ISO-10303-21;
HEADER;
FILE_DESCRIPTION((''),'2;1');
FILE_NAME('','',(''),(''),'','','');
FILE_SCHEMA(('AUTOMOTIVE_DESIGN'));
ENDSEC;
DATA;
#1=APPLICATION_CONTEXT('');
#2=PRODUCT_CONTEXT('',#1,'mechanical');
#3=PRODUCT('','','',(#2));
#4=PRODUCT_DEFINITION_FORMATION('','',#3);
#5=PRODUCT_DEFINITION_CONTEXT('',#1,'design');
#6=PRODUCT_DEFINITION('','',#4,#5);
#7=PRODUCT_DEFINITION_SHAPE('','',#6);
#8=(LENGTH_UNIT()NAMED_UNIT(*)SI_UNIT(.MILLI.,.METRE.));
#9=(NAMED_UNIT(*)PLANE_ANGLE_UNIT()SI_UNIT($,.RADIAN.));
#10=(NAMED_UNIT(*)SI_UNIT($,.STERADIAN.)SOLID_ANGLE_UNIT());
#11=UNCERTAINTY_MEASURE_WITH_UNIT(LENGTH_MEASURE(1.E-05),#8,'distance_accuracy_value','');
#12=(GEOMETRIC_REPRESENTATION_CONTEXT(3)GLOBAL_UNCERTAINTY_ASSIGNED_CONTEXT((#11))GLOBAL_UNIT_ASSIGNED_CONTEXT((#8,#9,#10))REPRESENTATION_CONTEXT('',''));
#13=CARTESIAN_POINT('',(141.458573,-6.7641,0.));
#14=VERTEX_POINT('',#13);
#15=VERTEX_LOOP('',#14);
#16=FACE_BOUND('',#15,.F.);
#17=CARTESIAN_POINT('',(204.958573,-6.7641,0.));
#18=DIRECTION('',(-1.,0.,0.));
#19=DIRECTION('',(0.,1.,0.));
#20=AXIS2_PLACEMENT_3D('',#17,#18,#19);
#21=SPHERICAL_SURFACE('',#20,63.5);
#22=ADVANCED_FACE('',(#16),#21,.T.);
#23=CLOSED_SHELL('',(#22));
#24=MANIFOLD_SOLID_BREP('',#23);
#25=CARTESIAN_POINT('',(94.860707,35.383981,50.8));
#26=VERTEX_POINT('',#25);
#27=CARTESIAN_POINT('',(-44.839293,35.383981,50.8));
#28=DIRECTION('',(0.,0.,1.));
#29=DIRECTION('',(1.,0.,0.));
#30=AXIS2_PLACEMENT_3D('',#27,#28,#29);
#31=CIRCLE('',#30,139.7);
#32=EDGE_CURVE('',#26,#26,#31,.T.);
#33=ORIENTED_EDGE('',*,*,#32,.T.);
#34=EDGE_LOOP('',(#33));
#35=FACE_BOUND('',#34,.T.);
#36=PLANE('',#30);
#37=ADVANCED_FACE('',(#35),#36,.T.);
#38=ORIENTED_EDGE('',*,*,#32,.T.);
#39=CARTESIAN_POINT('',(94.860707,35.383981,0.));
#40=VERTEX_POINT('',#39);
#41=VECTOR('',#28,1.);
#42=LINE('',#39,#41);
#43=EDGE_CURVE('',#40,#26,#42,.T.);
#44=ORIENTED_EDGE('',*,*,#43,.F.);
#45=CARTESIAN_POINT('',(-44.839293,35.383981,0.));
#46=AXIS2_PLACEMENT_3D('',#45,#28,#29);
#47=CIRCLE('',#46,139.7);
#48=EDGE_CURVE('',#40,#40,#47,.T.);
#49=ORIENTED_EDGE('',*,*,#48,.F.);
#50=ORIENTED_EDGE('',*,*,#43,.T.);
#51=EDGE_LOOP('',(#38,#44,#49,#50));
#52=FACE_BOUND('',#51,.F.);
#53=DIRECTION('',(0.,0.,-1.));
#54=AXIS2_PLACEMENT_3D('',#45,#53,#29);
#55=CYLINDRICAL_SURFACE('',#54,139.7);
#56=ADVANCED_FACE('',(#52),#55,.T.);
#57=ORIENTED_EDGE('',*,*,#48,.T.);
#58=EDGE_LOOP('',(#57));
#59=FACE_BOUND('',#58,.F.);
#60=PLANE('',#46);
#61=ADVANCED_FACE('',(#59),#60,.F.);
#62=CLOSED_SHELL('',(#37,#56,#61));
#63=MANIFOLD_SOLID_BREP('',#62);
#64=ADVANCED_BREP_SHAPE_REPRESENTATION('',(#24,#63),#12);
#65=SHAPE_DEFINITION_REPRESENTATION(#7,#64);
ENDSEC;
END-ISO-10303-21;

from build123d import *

# Parameters (mm, degrees)
F0_R     = 139.7
F1_DEPTH = 50.8


with BuildPart() as f1:
    # F0 (on Top) → F1 (new body)
    with BuildSketch(Plane.XY):
        with Locations((-44.839293, 35.383981)):
            Circle(F0_R)
    extrude(amount=F1_DEPTH)


with BuildPart() as f3:
    # F2 (on Top) → F3 (revolve)
    with BuildSketch(Plane.XY):
        with BuildLine():
            Line((141.458573, -6.7641), (268.458573, -6.7641))
            ThreePointArc((268.458573, -6.7641), (204.958573, 56.7359), (141.458573, -6.7641))
        make_face()
    revolve(axis=Axis((204.958573, -6.7641, 0), (1, 0, 0)))


solid = Compound([f1.part, f3.part])
